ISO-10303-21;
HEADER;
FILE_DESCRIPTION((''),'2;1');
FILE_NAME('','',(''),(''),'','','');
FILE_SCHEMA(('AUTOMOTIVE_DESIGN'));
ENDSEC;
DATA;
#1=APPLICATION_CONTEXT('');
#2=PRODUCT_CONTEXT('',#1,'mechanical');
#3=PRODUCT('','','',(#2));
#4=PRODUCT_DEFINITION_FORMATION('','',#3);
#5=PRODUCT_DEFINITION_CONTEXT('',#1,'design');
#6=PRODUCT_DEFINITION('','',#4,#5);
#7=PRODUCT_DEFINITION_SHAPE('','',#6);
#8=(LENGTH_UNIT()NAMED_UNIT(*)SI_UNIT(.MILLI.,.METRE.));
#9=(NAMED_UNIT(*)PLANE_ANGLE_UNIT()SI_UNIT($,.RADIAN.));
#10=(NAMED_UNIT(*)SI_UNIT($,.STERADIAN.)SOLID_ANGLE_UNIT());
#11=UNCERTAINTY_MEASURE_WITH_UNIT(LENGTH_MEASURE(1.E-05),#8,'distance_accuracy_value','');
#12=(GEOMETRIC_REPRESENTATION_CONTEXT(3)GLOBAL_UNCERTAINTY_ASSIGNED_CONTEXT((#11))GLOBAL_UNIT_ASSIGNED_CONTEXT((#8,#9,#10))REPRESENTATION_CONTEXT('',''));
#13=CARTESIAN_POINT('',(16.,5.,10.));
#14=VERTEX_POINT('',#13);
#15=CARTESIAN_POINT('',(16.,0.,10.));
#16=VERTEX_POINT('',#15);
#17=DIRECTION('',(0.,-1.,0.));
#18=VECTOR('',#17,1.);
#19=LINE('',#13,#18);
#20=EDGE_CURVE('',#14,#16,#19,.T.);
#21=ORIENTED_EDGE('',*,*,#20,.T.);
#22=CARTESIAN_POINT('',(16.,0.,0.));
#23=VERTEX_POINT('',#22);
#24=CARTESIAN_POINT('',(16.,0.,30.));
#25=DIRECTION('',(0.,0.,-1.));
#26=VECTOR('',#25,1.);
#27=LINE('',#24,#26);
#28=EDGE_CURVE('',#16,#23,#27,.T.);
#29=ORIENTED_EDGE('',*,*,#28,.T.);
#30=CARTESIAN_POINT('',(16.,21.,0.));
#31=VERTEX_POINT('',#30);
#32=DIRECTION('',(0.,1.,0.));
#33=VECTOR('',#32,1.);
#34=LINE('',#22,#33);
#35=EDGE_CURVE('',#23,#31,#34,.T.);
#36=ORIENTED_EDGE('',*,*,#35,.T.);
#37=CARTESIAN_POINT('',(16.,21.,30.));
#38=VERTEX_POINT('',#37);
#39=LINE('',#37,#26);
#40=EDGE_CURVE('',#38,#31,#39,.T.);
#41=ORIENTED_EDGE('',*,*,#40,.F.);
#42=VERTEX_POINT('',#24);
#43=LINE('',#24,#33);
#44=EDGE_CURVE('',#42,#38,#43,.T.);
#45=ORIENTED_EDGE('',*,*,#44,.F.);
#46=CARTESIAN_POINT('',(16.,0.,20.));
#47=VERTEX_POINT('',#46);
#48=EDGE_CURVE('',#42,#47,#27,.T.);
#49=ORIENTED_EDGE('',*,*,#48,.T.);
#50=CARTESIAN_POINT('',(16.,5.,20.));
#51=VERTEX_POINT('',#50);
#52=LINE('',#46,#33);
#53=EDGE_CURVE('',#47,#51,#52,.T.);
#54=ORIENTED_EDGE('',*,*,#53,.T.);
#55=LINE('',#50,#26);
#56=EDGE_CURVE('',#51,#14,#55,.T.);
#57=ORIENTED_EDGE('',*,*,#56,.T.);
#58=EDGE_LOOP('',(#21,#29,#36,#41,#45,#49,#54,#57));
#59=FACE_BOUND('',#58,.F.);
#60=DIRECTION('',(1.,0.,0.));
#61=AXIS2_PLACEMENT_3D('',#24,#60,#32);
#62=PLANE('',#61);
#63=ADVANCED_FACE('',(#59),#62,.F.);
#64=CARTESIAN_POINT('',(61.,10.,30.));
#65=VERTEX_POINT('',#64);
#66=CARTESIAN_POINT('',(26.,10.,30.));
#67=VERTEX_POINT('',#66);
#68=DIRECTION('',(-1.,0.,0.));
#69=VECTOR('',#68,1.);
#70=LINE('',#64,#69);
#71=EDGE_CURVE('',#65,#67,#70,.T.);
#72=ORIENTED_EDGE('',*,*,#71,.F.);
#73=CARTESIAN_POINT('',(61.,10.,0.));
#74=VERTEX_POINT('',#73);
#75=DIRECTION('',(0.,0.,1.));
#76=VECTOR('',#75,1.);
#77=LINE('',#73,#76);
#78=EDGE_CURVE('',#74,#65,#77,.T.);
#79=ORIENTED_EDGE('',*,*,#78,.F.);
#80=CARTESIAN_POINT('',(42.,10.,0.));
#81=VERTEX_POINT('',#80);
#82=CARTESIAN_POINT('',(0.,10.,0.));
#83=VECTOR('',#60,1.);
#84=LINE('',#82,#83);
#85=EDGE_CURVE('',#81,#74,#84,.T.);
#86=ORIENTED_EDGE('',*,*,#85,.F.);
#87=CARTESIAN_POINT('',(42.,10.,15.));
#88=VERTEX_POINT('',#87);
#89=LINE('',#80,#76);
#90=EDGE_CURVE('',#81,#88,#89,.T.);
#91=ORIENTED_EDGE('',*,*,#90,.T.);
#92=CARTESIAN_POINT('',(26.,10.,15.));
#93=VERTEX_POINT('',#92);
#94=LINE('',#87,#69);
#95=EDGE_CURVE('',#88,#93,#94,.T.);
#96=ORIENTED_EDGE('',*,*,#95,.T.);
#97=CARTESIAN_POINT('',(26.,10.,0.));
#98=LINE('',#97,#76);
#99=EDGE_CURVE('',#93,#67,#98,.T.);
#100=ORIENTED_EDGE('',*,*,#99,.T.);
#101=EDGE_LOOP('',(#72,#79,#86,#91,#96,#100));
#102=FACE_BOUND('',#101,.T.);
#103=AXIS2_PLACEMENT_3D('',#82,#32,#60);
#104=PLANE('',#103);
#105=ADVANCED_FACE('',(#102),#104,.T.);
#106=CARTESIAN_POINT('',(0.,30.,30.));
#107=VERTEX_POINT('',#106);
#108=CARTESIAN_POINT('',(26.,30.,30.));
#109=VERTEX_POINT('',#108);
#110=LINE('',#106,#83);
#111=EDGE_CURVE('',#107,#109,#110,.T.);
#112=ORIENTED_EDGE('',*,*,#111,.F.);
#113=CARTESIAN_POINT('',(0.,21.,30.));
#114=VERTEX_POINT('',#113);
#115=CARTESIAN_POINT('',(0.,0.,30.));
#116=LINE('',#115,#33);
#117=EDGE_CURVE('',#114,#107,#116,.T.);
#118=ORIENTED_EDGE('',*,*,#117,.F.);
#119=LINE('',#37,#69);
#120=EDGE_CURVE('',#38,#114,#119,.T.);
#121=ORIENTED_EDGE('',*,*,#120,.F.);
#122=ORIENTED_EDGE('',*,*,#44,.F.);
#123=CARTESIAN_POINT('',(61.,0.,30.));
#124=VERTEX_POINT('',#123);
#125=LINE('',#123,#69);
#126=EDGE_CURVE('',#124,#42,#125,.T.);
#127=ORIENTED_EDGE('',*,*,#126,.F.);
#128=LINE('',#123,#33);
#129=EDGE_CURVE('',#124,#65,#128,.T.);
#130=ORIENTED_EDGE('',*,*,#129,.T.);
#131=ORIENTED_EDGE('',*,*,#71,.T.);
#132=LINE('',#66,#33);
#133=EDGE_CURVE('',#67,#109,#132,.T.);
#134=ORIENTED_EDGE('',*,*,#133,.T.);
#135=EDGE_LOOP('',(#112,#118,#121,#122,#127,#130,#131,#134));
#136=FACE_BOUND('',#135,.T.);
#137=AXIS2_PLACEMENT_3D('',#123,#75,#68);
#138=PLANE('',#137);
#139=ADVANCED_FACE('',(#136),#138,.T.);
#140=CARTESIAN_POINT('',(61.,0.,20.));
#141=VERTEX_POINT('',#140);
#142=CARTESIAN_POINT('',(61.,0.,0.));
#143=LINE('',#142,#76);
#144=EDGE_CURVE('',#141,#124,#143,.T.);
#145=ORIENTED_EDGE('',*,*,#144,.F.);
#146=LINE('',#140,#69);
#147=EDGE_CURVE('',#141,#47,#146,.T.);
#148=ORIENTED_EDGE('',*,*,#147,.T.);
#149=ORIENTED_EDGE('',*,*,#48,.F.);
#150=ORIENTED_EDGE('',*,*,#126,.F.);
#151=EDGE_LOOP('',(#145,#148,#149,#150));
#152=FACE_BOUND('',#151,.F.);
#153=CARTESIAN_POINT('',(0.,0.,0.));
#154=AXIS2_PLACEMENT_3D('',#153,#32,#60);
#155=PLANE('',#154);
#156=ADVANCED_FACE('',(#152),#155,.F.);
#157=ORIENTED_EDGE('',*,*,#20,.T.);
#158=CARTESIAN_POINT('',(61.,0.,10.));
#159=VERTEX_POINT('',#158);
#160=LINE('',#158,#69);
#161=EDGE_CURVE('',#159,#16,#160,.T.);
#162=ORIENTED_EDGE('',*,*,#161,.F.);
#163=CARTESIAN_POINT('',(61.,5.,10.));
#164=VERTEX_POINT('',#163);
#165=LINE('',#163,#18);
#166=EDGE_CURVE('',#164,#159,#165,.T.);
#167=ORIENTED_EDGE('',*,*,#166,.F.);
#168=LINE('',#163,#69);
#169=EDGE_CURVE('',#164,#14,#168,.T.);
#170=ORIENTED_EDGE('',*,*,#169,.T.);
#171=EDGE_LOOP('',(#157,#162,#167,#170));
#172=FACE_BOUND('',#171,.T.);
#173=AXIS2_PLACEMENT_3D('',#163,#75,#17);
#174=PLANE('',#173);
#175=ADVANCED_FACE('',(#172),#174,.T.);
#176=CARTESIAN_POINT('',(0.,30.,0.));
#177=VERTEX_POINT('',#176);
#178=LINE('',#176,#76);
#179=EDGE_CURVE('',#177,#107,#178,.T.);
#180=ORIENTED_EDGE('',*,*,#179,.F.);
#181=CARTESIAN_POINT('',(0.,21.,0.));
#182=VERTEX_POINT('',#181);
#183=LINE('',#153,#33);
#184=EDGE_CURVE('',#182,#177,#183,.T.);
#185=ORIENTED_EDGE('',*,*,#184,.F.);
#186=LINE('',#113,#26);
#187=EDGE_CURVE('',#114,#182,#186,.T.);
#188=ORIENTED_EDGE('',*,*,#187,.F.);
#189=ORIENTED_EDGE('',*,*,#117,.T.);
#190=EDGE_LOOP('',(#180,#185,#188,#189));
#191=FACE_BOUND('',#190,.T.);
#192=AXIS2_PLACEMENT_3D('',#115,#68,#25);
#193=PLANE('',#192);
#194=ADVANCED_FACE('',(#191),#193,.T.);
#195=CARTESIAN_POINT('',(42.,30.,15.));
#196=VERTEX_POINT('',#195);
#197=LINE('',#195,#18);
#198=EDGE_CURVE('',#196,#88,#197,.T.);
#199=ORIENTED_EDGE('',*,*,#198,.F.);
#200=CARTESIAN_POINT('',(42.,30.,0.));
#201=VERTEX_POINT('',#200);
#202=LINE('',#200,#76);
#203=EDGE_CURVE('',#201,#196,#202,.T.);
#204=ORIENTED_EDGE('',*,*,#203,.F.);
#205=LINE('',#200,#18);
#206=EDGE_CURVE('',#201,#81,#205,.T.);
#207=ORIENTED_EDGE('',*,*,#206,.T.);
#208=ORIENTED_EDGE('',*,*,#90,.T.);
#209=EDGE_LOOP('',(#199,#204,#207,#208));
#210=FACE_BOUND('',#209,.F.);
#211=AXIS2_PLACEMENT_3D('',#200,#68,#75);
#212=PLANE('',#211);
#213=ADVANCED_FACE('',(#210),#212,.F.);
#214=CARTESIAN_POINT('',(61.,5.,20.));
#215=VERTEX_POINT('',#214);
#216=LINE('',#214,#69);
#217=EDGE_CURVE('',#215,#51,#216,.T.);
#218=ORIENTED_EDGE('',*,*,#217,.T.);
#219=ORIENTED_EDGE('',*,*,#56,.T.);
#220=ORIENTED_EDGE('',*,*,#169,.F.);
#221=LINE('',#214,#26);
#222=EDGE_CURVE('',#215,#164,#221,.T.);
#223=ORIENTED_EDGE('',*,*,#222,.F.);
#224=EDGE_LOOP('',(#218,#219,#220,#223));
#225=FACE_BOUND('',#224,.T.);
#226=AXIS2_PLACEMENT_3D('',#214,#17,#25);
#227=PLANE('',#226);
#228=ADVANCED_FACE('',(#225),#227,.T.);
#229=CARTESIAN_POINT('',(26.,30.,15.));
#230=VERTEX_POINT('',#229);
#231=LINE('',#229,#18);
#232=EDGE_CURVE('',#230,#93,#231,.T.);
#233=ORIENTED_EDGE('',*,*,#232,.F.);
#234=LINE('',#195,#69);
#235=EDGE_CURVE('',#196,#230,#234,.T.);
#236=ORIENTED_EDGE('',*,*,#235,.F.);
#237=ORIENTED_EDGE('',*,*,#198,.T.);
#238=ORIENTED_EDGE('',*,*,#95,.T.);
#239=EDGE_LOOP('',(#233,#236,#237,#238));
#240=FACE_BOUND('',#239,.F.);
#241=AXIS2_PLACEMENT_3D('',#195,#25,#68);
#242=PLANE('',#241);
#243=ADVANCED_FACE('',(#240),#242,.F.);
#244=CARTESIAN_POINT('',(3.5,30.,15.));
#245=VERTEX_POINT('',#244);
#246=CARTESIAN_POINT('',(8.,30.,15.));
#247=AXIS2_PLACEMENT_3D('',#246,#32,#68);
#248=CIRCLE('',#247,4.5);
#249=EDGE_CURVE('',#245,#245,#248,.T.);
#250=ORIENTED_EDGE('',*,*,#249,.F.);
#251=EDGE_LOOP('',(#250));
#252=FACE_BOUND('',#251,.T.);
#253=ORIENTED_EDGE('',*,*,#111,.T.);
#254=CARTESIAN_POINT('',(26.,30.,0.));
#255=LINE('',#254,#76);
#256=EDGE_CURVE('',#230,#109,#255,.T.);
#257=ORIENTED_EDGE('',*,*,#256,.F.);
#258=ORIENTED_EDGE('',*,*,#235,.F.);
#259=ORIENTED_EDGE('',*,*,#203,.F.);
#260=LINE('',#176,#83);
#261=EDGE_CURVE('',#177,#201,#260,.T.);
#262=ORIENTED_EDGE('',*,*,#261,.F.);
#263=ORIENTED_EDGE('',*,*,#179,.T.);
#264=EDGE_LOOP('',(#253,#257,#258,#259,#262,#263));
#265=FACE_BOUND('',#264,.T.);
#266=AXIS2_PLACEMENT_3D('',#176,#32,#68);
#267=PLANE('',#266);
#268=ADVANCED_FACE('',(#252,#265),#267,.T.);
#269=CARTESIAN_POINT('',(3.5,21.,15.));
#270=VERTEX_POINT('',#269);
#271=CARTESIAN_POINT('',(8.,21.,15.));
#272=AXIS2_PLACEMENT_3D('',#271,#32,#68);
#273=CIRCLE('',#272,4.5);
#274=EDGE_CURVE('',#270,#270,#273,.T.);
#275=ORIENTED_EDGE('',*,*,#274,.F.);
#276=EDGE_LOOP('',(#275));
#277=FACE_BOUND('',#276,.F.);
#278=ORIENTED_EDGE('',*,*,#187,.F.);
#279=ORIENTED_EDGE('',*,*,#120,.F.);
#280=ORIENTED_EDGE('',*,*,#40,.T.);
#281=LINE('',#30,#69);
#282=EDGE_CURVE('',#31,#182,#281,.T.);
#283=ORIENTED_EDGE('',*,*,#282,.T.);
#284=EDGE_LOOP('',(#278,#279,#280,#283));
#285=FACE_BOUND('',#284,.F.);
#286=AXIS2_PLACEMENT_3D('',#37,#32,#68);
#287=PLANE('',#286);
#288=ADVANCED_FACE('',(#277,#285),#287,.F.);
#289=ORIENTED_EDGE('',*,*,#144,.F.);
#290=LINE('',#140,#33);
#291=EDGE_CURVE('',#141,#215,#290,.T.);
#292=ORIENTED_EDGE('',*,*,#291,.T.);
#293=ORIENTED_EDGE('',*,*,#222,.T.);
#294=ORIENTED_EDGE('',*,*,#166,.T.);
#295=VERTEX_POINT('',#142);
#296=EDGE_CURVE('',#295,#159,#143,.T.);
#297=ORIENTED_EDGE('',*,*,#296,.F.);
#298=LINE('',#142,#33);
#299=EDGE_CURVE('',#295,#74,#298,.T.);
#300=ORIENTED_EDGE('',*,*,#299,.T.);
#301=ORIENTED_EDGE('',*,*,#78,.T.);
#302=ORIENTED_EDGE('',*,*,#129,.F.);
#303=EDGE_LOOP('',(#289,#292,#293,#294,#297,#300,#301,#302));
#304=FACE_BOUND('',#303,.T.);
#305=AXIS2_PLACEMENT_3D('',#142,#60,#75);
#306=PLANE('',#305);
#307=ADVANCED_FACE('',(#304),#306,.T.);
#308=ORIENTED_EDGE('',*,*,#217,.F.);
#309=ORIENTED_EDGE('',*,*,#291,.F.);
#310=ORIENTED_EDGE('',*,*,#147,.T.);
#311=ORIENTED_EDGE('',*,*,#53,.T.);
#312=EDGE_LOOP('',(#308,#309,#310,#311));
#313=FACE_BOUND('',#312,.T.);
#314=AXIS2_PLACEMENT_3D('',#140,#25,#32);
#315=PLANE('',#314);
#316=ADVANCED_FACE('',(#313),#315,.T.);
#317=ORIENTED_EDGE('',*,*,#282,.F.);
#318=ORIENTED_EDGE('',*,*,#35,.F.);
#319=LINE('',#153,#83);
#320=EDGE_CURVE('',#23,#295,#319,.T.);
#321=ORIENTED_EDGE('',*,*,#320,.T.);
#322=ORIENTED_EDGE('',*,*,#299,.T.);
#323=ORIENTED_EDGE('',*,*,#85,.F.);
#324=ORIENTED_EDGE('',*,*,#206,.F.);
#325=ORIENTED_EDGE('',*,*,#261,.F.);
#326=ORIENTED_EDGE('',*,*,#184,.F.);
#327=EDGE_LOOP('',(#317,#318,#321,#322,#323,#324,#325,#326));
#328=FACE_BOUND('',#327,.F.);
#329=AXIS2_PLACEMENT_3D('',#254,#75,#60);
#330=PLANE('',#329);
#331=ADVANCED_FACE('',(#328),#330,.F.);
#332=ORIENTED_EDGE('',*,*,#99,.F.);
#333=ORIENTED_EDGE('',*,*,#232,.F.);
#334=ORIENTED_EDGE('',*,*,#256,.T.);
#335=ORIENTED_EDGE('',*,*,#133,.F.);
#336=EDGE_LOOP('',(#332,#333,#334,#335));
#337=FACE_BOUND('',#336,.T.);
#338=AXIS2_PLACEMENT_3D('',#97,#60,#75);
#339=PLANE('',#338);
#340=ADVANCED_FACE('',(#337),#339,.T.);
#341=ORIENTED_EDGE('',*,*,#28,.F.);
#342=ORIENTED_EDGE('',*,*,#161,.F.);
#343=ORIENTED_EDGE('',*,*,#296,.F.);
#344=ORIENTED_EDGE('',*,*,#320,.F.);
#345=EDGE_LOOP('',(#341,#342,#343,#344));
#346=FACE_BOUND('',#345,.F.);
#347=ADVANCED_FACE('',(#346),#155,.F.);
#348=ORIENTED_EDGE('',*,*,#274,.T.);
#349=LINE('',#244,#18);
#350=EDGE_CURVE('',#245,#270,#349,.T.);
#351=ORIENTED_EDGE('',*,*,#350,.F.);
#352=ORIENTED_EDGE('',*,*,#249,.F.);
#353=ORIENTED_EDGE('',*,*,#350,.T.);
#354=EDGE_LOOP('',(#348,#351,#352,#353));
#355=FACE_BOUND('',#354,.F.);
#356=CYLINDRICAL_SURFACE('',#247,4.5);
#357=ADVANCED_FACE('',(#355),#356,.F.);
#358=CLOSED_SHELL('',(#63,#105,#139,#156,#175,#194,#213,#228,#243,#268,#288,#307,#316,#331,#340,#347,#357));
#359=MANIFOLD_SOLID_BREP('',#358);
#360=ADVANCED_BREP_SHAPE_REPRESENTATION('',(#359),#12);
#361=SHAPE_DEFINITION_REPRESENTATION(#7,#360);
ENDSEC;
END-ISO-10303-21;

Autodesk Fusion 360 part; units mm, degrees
sketch "Sketch1" plane through (0, 0, 0) normal (0, 1, 0) x (1, 0, 0)
  line L0 (0, 0) -> (61, 0)
  line L1 (61, 0) -> (61, -30)
  line L2 (61, -30) -> (0, -30)
  line L3 (0, -30) -> (0, 0)
  dimension "d1" = 61
  dimension "d2" = 30
extrude "Extrude1" add sketch "Sketch1" along normal blind 10
sketch "Sketch2" plane through (0, 10, 0) normal (0, 1, 0) x (-1, 0, 0)
  line L0 (0, 30) -> (-61, 30)
  line L1 (-61, 30) -> (-61, 0)
  line L2 (-61, 0) -> (0, 0)
  line L3 (0, 0) -> (0, 30)
  line L4 (0, 0) -> (-26, 0)
  line L5 (-26, 0) -> (-26, 30)
  line L6 (-26, 30) -> (0, 30)
  line L7 (0, 30) -> (0, 0)
  dimension "d5" = 26
extrude "Extrude2" add sketch "Sketch2" along normal blind 20 contours L0 L2 L3 L4 L5 L6 L7
sketch "Sketch3" plane through (0, 30, 0) normal (0, 1, 0) x (-1, 0, 0)
  line L0 (0, 30) -> (-26, 30)
  line L1 (-26, 30) -> (-26, 0)
  line L2 (-26, 0) -> (0, 0)
  line L3 (0, 0) -> (0, 30)
  line L4 (-26, 0) -> (-42, 0)
  line L5 (-42, 0) -> (-42, 15)
  line L6 (-42, 15) -> (-26, 15)
  line L7 (-26, 15) -> (-26, 0)
  dimension "d8" = 16
  dimension "d9" = 15
extrude "Extrude3" add sketch "Sketch3" against normal up to surface (20 mm away) contours L1 L4 L5 L6 L7
sketch "Sketch4" plane through (0, 0, 30) normal (0, 0, 1) x (1, 0, 0)
  line L0 (0, 0) -> (61, 0)
  line L1 (61, 0) -> (61, 10)
  line L2 (61, 10) -> (26, 10)
  line L3 (26, 10) -> (26, 30)
  line L4 (26, 30) -> (0, 30)
  line L5 (0, 30) -> (0, 0)
  line L6 (0, 0) -> (16, 0)
  line L7 (16, 0) -> (16, 21)
  line L8 (16, 21) -> (0, 21)
  line L9 (0, 21) -> (0, 0)
  dimension "d12" = 16
  dimension "d13" = 21
extrude "Extrude4" cut sketch "Sketch4" against normal blind 30 contours L0 L5 L6 L7 L8 L9
sketch "Sketch5" plane through (0, 30, 0) normal (0, 1, 0) x (-1, 0, 0)
  line L0 (0, 30) -> (-26, 30)
  line L1 (-26, 30) -> (-26, 15)
  line L2 (-26, 15) -> (-42, 15)
  line L3 (-42, 15) -> (-42, 0)
  line L4 (-42, 0) -> (0, 0)
  line L5 (0, 0) -> (0, 30)
  line L6 (28.1028, 15) -> (-28.1028, 15) construction
  circle A0 centre (-8, 15) radius 4.5
  dimension "d16" = 9
  dimension "d17" = 8
extrude "Extrude5" cut sketch "Sketch5" against normal blind 9 contours A0
sketch "Sketch6" plane through (61, 0, 0) normal (1, 0, 0) x (0, 0, -1)
  line L0 (-30, 0) -> (0, 0)
  line L1 (0, 0) -> (0, 10)
  line L2 (0, 10) -> (-30, 10)
  line L3 (-30, 10) -> (-30, 0)
  line L4 (-20, 0) -> (-20, 5)
  line L5 (-20, 5) -> (-10, 5)
  line L6 (-10, 5) -> (-10, 0)
  dimension "d20" = 10
  dimension "d21" = 5
  dimension "d22" = 5
  dimension "d23" = 10
extrude "Extrude6" cut sketch "Sketch6" against normal blind 45 contours L0 L4 L5 L6
